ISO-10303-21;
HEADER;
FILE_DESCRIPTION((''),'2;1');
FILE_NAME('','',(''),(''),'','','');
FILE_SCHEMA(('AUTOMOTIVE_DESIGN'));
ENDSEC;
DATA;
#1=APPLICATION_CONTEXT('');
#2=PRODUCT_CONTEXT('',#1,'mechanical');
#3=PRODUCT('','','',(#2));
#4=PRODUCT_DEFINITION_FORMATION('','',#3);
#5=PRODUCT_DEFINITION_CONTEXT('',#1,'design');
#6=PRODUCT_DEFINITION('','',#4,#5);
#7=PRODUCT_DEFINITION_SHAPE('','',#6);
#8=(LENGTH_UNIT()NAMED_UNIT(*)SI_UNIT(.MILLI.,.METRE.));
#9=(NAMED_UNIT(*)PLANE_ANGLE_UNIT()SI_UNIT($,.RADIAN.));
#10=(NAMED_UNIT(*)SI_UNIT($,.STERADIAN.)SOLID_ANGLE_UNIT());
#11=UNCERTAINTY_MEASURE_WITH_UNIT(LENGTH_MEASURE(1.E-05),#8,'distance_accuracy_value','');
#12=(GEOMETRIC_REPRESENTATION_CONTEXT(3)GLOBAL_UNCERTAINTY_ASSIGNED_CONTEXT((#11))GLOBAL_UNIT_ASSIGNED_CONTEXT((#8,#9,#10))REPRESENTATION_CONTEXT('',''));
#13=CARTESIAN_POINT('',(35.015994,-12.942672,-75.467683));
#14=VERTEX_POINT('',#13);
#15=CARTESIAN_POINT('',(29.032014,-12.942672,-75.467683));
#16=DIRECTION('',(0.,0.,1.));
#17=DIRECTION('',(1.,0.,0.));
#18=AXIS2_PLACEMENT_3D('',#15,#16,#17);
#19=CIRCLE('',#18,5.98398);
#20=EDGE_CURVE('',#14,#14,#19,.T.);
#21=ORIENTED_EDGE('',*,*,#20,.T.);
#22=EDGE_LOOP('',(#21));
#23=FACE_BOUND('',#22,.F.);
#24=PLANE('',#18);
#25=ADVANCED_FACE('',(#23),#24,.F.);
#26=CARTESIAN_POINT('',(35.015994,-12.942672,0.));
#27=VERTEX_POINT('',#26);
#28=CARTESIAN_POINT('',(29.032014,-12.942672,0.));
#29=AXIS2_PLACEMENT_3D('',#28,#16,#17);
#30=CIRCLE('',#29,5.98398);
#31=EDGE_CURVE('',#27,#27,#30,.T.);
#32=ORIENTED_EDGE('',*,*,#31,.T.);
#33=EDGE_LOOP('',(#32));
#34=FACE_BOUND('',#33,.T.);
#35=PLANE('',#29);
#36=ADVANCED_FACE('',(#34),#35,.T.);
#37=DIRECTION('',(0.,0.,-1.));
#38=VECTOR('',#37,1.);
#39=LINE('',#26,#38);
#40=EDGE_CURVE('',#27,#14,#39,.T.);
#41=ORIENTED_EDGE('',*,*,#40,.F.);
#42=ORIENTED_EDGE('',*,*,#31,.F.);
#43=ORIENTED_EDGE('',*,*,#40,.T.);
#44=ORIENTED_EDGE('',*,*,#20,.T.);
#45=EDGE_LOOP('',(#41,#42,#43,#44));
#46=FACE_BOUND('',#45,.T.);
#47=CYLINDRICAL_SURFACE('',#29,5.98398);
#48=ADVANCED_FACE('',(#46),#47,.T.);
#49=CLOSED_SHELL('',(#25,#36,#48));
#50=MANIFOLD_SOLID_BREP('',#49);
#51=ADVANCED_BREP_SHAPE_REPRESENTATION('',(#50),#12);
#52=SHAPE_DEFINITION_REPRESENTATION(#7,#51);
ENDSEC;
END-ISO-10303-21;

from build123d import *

# Parameters (mm, degrees)
F0_R     = 5.9839795407
F1_DEPTH = 75.4676833749


with BuildPart() as f1:
    # F0 (on Top) → F1 (new body)
    with BuildSketch(Plane.XY):
        with Locations((29.0320143104, -12.9426717758)):
            Circle(F0_R)
    extrude(amount=-F1_DEPTH)


solid = f1.part
